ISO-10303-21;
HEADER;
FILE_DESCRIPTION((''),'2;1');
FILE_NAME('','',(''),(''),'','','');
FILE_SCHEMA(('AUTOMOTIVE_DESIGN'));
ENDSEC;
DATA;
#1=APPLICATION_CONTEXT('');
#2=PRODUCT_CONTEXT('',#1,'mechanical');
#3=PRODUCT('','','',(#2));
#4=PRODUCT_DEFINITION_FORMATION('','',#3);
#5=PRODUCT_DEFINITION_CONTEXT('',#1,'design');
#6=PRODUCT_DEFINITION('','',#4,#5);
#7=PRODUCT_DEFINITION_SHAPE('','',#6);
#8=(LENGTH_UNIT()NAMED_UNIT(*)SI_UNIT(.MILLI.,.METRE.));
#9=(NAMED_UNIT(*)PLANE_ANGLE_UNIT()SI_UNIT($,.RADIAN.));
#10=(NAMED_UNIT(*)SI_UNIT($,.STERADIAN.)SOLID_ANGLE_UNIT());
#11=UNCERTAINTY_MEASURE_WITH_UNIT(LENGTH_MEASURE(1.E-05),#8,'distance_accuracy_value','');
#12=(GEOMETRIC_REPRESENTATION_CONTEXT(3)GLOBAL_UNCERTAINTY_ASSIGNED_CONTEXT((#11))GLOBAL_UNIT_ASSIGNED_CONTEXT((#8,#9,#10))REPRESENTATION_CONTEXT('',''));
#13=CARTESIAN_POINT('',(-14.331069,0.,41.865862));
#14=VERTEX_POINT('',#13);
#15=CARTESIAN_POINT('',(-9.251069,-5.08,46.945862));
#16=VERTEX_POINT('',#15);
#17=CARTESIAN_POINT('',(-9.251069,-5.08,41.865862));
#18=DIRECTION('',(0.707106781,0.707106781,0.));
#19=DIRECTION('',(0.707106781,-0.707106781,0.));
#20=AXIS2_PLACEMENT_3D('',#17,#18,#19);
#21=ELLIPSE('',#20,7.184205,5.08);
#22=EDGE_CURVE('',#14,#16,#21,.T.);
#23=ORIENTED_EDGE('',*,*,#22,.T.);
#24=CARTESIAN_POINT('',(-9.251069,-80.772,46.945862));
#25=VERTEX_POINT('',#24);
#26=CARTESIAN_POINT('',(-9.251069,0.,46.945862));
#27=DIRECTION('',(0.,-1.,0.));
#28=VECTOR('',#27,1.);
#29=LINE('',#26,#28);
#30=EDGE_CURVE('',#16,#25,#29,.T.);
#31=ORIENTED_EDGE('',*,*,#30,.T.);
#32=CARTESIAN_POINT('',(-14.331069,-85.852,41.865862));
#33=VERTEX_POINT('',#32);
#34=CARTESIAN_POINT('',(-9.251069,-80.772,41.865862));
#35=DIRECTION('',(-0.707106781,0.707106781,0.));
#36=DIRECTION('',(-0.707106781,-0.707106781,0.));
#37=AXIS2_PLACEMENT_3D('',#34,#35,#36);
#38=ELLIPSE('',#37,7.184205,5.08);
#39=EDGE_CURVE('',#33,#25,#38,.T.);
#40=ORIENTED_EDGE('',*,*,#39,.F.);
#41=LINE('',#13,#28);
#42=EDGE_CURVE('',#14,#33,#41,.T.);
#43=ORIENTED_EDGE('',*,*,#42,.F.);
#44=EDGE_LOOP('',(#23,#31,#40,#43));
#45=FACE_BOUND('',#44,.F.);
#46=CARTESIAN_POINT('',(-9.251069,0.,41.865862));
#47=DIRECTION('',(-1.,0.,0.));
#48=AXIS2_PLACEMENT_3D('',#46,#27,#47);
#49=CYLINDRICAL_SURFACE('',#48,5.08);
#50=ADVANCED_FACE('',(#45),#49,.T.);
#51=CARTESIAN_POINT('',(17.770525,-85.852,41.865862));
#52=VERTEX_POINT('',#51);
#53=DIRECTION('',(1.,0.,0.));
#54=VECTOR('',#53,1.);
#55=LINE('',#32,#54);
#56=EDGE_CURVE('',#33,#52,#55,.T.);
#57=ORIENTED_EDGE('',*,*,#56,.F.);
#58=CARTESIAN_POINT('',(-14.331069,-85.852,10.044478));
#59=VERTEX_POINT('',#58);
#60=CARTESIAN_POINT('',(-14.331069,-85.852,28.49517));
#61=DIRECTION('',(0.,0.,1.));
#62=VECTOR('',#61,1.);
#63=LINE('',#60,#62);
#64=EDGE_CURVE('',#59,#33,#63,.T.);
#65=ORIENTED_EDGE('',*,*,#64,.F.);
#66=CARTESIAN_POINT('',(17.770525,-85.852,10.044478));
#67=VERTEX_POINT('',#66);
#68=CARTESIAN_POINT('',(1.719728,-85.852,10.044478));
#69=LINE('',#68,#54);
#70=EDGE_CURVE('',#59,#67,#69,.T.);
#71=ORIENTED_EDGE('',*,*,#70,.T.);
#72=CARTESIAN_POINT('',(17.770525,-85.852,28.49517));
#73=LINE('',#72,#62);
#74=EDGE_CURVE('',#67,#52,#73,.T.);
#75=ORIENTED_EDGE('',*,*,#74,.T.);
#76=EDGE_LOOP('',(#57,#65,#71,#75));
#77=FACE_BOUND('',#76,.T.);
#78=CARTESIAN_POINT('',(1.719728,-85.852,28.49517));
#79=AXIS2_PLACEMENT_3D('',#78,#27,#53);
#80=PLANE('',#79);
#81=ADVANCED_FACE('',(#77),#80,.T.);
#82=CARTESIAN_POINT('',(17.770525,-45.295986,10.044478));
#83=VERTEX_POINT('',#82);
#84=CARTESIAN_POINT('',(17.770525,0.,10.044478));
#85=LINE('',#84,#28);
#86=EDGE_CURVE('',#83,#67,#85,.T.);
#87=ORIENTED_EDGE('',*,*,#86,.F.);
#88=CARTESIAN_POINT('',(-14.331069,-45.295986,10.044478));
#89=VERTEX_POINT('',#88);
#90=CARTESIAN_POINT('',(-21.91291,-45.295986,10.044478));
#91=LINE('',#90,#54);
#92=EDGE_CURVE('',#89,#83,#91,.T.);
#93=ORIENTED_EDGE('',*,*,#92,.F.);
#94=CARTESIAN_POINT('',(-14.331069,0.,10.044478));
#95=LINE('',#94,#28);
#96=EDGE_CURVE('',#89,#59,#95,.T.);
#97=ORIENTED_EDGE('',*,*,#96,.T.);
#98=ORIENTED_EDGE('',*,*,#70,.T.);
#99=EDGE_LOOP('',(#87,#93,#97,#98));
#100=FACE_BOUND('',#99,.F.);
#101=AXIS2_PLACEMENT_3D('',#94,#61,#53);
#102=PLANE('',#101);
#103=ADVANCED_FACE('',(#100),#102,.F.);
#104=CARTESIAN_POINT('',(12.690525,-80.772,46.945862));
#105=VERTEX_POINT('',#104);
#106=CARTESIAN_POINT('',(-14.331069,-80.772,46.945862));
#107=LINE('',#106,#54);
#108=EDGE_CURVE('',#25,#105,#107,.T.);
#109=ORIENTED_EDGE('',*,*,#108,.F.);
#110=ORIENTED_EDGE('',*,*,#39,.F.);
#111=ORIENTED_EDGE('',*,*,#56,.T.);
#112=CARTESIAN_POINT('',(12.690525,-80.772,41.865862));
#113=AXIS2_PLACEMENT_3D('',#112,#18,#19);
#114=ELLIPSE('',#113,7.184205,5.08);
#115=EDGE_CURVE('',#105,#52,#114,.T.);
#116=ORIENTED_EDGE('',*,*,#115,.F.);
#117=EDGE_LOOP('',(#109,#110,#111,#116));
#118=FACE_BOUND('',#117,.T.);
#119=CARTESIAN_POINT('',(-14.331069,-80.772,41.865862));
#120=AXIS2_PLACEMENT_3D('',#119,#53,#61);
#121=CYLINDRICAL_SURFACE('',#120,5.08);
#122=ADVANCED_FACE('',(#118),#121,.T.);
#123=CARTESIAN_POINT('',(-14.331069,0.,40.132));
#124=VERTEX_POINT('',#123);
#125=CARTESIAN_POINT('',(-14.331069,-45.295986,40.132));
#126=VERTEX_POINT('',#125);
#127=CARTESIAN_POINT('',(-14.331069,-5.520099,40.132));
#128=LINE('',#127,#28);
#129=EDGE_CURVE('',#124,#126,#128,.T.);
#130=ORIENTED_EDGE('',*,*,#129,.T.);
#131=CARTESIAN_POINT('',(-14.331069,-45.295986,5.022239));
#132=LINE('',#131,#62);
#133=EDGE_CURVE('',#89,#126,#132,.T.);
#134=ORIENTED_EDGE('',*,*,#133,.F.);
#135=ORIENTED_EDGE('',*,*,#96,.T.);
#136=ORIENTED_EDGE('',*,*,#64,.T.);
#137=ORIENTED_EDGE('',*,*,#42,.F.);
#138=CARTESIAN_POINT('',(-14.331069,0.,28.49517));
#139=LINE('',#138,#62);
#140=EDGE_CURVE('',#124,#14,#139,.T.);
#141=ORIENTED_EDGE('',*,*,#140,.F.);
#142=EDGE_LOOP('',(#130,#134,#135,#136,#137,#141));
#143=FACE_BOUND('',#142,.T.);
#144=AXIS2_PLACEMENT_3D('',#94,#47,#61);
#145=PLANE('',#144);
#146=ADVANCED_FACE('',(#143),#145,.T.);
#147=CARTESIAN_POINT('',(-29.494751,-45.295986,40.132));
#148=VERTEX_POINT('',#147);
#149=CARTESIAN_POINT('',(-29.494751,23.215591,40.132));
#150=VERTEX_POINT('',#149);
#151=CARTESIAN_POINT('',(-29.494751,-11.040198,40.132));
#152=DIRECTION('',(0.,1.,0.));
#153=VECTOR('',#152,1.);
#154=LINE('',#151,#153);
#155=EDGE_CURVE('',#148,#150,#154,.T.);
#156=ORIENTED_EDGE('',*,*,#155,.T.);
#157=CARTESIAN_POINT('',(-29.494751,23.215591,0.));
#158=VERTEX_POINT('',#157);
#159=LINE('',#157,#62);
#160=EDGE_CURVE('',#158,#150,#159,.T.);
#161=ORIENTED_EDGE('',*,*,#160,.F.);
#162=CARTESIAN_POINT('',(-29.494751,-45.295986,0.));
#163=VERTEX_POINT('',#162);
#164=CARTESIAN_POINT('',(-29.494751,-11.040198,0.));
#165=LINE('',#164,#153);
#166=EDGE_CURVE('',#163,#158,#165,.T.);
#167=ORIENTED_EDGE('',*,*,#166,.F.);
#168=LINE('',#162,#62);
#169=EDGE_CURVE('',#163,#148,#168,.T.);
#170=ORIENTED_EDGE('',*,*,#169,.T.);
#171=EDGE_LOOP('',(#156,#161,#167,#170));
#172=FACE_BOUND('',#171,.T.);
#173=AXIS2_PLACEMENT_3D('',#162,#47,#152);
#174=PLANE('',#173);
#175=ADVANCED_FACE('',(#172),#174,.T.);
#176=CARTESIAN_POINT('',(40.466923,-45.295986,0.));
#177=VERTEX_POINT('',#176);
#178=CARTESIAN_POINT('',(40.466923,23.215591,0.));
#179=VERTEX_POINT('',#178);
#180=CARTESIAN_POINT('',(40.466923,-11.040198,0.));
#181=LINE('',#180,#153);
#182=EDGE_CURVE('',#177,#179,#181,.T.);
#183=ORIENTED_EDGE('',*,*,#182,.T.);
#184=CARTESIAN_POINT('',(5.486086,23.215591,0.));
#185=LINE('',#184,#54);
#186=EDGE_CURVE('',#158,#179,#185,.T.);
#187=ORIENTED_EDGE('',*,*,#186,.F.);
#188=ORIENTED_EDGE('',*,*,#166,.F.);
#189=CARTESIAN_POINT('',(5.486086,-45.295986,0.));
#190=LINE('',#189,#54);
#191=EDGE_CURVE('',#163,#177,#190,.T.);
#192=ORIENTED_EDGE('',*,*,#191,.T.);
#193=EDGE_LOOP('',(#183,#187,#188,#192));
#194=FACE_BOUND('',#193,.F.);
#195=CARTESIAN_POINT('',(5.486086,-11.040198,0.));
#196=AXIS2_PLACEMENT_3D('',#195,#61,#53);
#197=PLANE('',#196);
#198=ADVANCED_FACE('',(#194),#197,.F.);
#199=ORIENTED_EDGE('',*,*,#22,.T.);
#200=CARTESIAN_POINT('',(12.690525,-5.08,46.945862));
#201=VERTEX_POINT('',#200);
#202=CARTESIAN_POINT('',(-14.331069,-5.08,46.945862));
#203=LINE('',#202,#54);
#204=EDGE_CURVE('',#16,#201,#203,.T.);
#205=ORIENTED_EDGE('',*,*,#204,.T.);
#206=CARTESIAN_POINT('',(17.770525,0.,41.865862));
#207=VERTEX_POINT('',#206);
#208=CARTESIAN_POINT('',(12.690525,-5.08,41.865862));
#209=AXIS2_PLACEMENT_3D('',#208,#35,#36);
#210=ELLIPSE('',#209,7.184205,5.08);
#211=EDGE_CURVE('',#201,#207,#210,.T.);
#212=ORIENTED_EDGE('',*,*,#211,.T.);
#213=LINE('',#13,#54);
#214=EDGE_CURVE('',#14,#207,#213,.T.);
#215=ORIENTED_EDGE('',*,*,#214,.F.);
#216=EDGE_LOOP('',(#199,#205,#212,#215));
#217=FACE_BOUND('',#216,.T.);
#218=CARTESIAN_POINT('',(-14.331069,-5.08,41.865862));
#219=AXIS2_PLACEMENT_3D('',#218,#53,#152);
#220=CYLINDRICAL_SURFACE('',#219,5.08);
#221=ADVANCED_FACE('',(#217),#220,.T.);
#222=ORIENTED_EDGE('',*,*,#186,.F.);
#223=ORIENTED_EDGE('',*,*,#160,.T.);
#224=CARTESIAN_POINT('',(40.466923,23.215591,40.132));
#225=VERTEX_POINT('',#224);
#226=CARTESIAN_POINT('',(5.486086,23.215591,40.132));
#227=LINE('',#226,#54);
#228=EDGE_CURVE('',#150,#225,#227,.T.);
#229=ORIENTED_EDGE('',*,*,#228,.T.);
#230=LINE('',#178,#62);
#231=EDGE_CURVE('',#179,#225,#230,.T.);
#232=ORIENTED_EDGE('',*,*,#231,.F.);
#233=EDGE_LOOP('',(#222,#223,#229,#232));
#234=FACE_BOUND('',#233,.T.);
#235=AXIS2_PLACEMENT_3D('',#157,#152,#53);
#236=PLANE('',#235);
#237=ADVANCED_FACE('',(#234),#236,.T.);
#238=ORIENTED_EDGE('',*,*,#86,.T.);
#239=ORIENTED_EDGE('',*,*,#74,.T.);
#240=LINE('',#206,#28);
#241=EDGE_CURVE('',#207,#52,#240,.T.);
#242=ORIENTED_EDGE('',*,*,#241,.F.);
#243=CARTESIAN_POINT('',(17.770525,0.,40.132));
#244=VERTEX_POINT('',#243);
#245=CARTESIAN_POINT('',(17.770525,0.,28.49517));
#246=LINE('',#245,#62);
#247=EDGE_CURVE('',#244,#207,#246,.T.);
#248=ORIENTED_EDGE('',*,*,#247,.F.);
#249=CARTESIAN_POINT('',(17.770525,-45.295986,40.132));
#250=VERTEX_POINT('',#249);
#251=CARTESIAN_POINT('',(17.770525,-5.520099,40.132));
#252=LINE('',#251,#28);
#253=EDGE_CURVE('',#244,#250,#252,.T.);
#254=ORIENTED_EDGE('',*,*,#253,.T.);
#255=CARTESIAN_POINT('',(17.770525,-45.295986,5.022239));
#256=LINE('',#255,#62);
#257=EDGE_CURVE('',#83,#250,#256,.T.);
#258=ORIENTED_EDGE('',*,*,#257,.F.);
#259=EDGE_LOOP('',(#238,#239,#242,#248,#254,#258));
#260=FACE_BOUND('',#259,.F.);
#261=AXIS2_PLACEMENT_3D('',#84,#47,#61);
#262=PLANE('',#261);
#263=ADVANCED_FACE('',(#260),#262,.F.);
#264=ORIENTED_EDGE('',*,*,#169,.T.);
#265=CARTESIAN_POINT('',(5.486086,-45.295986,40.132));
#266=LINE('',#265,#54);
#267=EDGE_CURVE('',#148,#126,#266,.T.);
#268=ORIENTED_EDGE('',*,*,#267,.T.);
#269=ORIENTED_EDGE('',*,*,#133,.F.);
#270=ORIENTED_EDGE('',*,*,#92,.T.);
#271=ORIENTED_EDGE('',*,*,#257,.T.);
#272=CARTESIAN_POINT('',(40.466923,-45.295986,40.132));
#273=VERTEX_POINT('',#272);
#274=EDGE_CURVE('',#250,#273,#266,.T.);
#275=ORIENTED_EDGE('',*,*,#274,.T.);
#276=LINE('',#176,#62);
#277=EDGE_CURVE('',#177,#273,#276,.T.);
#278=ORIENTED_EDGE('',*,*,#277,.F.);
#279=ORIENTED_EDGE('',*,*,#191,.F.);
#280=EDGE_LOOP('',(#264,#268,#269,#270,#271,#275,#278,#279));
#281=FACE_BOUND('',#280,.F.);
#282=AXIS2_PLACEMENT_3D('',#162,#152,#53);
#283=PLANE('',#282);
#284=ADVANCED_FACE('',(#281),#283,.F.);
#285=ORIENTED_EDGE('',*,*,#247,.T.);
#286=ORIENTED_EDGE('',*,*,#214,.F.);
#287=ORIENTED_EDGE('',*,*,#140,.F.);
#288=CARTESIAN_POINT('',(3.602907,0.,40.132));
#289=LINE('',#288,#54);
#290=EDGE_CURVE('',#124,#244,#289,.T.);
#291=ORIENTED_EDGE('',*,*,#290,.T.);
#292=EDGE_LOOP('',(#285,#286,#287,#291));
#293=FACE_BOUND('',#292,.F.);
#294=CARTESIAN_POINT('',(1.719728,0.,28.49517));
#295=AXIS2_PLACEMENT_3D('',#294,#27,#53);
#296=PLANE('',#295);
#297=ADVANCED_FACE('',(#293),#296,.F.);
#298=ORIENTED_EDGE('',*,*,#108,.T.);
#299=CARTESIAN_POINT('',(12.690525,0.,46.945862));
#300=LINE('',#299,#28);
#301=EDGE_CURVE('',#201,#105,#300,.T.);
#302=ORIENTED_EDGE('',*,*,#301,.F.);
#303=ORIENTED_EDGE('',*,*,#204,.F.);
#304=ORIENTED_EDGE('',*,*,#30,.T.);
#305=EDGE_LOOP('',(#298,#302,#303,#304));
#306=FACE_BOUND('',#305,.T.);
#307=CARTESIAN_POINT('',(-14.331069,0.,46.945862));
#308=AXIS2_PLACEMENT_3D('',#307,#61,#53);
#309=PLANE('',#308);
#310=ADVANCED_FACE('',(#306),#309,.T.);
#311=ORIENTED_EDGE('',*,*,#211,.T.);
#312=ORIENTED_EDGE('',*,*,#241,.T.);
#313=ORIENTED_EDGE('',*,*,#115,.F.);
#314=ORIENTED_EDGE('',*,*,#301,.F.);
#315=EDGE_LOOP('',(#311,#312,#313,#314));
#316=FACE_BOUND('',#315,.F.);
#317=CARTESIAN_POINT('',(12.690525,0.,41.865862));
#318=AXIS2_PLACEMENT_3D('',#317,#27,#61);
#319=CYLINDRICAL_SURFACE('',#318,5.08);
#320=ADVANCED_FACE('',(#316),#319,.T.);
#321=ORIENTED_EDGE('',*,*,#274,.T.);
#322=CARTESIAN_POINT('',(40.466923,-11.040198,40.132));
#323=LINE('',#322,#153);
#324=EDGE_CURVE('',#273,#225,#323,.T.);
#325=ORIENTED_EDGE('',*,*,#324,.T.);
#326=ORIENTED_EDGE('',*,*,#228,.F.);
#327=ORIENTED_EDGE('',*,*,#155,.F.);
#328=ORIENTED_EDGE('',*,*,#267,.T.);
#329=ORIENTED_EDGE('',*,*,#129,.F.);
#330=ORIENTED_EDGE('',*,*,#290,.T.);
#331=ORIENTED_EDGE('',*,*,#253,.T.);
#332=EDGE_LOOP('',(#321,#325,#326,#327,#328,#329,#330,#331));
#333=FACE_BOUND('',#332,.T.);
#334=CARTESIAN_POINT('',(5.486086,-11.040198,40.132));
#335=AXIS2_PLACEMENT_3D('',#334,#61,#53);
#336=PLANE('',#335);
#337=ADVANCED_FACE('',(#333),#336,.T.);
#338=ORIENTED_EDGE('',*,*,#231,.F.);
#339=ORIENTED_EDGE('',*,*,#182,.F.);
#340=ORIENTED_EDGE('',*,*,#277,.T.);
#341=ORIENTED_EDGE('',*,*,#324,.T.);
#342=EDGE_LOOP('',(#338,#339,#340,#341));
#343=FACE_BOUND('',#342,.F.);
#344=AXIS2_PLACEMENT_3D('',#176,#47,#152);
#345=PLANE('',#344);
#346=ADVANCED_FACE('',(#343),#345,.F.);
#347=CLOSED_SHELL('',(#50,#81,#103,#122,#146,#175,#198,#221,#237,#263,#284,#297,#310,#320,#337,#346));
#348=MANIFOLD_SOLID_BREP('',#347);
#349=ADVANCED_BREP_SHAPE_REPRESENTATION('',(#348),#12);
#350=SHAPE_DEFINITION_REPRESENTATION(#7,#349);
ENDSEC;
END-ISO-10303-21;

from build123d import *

# Parameters (mm, degrees)
F0_W     = 69.961674
F0_H     = 68.511577
F1_DEPTH = 40.132
F2_W     = 32.101594
F2_H     = 36.901384
F3_DEPTH = 85.852
F4_R     = 5.08


with BuildPart() as f1:
    # F0 (on Top) → F1 (new body)
    with BuildSketch(Plane.XY):
        with Locations((5.486086, -11.040198)):
            Rectangle(F0_W, F0_H)
    extrude(amount=F1_DEPTH)

    # F2 (on Front) → F3 (join)
    with BuildSketch(Plane.XZ):
        with Locations((1.719728, 28.49517)):
            Rectangle(F2_W, F2_H)
    extrude(amount=F3_DEPTH)

    # F4
    f4_edges = [f1.edges().sort_by_distance(p)[0] for p in [
        (17.770525, -42.926, 46.945862),
        (-14.331069, -42.926, 46.945862),
        (1.719728, 0, 46.945862),
        (1.719728, -85.852, 46.945862),
    ]]
    fillet(f4_edges, radius=F4_R)


solid = f1.part
